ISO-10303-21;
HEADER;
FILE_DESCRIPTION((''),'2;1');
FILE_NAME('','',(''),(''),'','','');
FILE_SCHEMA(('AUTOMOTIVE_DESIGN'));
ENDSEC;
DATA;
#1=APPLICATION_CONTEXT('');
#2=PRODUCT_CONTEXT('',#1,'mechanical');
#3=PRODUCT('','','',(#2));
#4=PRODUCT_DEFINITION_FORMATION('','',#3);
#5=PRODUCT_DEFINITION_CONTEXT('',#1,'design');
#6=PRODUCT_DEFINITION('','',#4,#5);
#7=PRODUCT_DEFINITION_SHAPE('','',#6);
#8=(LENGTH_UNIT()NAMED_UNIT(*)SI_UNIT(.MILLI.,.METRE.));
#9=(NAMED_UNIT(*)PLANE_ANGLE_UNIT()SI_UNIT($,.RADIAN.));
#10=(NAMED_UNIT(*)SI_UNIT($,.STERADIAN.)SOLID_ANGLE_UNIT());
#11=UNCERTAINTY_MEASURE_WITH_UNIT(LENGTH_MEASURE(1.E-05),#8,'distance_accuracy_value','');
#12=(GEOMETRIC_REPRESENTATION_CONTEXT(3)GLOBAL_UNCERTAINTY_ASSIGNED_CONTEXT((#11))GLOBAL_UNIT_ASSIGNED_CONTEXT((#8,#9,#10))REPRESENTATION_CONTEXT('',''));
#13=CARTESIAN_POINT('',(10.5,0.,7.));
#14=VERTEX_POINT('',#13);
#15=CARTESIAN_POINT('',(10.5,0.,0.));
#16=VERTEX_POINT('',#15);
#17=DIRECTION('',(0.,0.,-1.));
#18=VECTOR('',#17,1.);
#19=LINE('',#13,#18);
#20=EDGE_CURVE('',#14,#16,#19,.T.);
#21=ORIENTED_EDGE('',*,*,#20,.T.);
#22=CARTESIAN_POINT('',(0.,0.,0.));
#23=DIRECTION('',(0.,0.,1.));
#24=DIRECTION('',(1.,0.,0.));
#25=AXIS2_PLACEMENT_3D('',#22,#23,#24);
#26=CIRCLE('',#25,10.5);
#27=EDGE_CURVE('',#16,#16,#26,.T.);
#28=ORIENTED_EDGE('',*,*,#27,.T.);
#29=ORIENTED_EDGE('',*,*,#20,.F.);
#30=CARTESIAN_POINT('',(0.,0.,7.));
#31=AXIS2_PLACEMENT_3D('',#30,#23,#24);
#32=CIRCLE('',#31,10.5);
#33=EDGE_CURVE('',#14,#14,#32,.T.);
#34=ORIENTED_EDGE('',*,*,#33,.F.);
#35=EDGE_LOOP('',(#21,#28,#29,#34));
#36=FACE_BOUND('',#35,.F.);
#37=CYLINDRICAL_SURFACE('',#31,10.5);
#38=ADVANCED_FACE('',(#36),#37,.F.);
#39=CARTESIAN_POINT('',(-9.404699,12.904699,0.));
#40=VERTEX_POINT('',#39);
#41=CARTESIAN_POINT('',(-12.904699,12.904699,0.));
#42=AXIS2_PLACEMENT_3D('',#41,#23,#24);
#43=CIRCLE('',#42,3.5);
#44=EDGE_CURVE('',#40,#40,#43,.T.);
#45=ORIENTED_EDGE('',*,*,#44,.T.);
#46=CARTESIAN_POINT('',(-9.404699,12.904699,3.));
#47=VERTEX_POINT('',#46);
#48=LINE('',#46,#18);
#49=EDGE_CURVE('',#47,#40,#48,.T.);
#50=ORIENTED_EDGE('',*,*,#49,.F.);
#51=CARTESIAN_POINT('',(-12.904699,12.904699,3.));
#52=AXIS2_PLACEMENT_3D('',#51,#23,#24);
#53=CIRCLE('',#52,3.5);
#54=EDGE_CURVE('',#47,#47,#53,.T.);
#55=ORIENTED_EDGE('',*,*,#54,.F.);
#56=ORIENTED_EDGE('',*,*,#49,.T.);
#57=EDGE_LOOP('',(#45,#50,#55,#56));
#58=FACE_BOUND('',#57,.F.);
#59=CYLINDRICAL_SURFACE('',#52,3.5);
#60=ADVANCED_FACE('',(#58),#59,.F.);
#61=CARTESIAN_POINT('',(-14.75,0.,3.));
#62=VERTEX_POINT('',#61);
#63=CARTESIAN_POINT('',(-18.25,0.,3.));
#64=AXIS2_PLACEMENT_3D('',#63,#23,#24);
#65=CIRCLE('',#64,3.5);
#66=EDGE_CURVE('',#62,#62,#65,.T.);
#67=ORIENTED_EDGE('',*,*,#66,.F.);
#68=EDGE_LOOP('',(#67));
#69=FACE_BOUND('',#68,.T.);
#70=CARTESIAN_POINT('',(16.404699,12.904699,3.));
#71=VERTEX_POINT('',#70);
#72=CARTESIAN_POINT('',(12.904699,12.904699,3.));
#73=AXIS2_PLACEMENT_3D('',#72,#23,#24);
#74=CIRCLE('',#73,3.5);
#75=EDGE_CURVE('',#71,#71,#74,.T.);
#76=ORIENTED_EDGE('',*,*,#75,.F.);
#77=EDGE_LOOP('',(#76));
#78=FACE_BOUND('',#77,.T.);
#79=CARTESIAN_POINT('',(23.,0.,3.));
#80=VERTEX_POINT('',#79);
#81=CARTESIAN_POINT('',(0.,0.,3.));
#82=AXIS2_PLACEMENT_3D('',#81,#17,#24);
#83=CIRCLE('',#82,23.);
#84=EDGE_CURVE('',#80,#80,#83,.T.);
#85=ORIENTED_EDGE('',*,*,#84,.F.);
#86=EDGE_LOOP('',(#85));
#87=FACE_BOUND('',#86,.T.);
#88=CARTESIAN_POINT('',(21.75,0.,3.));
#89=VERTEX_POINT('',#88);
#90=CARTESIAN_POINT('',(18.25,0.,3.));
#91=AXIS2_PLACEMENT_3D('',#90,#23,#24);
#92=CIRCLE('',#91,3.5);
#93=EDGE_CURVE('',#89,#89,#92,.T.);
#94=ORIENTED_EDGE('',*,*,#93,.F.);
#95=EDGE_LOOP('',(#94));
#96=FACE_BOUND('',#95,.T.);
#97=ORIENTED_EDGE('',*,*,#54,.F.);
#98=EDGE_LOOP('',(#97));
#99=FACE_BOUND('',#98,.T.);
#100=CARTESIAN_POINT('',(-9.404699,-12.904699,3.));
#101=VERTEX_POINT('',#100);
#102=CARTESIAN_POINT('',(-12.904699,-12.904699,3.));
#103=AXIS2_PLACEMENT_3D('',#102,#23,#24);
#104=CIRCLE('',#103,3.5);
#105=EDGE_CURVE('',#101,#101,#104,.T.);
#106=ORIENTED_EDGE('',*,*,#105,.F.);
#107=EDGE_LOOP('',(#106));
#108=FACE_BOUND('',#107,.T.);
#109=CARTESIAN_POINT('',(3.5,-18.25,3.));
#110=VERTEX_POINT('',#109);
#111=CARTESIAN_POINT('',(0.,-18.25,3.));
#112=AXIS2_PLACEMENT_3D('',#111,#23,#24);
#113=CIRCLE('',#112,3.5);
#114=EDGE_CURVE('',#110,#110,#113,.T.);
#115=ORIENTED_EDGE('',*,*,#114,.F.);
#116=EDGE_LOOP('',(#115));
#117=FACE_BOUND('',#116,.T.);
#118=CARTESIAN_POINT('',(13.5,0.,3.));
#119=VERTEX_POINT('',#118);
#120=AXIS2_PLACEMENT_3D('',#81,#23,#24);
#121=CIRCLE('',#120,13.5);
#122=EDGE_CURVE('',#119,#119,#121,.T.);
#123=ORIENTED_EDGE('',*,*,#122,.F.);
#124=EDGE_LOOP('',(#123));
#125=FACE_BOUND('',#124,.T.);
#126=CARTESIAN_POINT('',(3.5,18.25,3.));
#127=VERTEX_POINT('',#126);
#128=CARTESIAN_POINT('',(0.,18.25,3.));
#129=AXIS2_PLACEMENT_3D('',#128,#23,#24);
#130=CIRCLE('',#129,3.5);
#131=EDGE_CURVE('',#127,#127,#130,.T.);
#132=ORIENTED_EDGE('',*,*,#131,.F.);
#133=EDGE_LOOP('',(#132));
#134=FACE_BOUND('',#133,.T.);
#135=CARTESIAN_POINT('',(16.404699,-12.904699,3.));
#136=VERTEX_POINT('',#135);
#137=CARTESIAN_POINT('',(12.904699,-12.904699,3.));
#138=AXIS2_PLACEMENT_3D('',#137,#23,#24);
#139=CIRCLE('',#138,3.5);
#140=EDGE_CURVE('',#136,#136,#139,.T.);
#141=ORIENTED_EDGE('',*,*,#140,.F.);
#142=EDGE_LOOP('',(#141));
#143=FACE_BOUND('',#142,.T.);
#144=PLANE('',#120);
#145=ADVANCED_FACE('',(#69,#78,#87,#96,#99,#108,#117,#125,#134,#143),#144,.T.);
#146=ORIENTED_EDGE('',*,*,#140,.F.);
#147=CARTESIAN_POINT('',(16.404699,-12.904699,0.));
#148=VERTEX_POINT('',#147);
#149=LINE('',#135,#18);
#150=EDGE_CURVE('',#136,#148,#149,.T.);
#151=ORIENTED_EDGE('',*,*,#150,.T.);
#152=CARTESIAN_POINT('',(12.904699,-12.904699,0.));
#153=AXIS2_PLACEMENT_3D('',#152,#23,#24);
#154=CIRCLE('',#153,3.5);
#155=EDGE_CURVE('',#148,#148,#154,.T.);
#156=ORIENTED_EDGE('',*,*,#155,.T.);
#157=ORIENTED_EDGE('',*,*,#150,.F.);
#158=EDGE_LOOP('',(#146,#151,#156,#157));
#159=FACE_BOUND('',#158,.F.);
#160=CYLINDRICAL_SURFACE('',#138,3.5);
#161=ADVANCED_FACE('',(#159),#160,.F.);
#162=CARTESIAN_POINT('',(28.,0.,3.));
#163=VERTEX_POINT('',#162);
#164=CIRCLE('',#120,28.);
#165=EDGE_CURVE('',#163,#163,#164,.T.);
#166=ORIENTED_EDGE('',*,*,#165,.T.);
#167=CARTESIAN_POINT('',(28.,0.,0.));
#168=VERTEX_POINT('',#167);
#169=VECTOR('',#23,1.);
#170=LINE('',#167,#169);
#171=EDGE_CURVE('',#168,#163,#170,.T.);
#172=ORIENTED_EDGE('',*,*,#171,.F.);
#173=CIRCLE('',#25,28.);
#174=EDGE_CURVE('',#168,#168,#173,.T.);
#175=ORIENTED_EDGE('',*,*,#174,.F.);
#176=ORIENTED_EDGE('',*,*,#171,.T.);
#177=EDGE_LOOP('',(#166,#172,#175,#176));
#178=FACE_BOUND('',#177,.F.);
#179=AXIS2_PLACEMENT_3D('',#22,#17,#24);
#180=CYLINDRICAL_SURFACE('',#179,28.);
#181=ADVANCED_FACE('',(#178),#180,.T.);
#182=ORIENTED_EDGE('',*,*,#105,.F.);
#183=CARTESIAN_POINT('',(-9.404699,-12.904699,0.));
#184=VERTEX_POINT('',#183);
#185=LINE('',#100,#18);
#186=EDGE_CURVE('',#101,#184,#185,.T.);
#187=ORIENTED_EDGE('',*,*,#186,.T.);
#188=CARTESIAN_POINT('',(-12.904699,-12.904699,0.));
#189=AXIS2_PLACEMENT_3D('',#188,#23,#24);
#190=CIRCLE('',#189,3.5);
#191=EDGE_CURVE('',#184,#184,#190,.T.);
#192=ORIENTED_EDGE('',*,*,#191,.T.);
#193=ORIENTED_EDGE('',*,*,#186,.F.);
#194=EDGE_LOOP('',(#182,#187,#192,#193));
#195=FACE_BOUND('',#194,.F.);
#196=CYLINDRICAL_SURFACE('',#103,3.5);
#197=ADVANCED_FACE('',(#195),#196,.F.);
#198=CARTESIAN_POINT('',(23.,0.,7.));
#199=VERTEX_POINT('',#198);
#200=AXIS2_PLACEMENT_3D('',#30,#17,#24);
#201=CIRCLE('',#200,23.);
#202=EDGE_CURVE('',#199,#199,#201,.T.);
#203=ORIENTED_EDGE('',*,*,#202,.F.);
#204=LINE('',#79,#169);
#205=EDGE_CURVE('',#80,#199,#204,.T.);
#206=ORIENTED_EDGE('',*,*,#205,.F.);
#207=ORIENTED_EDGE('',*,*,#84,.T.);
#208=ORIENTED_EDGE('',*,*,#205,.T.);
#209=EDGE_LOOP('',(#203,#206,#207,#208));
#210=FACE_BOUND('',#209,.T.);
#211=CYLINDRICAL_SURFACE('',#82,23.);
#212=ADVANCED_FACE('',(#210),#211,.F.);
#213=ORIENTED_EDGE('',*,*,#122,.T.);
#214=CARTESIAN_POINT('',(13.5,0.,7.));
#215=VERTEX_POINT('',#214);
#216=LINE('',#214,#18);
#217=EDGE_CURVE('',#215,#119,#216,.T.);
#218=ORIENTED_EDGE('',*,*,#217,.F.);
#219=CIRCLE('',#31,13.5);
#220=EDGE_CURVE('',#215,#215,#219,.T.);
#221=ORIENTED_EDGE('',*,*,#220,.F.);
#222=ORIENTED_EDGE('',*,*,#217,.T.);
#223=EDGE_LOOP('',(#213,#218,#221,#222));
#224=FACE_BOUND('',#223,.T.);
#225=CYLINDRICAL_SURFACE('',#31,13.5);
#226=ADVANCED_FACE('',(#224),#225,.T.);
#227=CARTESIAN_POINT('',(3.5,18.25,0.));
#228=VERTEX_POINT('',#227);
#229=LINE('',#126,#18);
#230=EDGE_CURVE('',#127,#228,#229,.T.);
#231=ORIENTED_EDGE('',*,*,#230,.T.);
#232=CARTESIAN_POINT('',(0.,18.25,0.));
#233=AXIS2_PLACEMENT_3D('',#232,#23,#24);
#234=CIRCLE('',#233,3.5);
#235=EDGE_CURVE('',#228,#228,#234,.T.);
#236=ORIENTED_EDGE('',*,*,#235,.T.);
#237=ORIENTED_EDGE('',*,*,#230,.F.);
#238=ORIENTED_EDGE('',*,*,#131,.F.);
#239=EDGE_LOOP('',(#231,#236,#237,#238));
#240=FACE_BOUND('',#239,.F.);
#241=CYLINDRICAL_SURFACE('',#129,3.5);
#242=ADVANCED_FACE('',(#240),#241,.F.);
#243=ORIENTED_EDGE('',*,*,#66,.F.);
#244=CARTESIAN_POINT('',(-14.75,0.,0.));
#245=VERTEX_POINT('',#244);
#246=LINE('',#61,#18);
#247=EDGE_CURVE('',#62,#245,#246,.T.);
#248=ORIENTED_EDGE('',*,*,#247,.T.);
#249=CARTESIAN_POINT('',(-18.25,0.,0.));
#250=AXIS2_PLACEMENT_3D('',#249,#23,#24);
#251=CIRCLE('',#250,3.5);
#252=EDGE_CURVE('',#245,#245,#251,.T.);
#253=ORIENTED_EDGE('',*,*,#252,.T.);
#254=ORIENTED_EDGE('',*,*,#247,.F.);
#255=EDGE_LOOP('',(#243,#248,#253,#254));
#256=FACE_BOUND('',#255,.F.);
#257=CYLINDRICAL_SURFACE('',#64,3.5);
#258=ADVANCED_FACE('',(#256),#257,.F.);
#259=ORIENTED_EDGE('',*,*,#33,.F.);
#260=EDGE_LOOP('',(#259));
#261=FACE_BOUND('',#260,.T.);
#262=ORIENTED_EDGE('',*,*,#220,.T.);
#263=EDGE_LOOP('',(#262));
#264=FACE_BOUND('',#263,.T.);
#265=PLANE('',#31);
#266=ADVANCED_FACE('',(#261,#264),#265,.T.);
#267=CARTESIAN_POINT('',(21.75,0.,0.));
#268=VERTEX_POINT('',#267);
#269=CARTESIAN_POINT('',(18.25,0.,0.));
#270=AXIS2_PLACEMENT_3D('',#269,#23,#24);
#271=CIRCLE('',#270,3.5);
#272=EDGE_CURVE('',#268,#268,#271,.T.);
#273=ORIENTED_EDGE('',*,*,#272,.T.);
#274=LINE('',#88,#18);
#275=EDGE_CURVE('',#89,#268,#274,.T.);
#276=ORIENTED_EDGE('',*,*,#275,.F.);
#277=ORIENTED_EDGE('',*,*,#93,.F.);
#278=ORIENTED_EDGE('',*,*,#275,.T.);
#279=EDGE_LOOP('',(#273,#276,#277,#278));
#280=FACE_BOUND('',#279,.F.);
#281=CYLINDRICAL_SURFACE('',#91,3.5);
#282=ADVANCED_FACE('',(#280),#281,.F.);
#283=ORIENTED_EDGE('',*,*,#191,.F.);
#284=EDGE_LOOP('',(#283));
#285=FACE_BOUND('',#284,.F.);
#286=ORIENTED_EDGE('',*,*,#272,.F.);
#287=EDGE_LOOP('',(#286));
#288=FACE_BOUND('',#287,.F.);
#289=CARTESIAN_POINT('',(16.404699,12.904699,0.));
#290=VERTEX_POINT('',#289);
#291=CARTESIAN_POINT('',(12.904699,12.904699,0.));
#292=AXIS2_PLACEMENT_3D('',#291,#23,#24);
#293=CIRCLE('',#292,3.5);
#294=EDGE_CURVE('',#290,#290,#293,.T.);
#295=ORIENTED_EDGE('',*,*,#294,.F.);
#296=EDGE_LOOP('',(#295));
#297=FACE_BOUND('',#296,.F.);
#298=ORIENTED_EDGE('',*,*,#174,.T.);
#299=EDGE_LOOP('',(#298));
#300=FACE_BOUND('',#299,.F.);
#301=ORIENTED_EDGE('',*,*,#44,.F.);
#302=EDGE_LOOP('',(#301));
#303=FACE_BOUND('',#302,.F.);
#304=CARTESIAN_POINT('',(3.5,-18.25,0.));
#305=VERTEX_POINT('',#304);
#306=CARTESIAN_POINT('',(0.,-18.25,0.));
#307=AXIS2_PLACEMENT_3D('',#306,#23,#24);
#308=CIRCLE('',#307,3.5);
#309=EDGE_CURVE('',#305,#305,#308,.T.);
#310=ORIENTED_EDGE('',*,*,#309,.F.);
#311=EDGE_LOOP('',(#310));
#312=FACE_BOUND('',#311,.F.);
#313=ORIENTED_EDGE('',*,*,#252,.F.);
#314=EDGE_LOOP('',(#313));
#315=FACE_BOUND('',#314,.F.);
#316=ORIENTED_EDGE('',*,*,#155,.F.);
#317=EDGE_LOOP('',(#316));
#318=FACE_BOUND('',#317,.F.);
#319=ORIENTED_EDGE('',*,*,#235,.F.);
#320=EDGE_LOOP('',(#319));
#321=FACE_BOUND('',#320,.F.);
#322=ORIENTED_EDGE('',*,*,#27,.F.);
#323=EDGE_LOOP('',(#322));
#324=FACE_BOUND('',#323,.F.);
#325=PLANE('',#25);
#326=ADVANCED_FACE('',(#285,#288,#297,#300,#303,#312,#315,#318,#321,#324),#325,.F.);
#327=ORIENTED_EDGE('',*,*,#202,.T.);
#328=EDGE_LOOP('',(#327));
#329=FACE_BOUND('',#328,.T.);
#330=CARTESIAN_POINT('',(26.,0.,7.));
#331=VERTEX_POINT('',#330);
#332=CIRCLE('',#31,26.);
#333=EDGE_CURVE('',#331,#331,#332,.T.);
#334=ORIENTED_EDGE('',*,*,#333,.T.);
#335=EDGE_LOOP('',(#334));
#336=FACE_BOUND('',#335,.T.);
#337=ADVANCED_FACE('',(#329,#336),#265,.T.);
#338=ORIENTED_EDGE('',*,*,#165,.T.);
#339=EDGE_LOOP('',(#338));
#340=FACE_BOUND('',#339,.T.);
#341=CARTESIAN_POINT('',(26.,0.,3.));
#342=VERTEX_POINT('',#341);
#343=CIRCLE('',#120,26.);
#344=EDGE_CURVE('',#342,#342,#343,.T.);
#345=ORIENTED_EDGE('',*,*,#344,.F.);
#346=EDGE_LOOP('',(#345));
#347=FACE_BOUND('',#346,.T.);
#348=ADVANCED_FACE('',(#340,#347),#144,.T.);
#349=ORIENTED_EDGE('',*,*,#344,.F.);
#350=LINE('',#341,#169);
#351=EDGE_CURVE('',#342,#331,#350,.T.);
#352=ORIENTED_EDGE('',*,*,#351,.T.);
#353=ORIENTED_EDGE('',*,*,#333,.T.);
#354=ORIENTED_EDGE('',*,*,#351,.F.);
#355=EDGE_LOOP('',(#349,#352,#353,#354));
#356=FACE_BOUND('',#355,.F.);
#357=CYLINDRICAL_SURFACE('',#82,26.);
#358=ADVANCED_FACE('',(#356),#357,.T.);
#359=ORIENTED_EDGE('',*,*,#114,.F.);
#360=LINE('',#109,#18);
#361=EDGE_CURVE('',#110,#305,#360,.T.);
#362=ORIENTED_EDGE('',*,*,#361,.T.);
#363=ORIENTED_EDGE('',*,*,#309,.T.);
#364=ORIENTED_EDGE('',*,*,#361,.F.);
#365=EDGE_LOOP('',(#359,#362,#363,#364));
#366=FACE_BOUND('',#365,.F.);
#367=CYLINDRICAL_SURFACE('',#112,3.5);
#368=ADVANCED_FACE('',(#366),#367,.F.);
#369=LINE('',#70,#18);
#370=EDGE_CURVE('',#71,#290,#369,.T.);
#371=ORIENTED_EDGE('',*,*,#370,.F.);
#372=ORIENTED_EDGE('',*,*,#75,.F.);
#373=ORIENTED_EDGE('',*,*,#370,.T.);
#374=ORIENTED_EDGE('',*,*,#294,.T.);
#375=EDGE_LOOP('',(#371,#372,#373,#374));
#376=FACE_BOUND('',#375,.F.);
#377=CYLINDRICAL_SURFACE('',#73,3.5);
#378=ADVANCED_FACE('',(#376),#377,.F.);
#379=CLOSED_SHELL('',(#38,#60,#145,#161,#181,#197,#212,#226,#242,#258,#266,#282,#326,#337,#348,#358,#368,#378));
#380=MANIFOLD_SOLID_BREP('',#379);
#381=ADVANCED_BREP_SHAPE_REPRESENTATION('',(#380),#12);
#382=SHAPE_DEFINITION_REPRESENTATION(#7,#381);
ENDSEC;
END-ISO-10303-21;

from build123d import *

# Parameters (mm, degrees)
F0_R     = 28
F1_DEPTH = 3
F2_R     = 26
F3_DEPTH = 4
F4_R     = 10.5
F5_DEPTH = 7.001
F6_T     = -3
F7_R     = 3.5
F8_DEPTH = 3.001


with BuildPart() as f1:
    # F0 (on Top) → F1 (new body)
    with BuildSketch(Plane.XY):
        Circle(F0_R)
    extrude(amount=F1_DEPTH)

    # F2 (on face) → F3 (join)
    with BuildSketch(Plane.XY.offset(3)):
        Circle(F2_R)
    extrude(amount=F3_DEPTH)

    # F4 (on face) → F5 (cut, through all)
    with BuildSketch(Plane.XY.offset(7)):
        Circle(F4_R)
    extrude(amount=-F5_DEPTH, mode=Mode.SUBTRACT)

    # F6
    f6_openings = [f1.faces().sort_by_distance(p)[0] for p in [
        (-25.264609, 0, 7),
    ]]
    offset(amount=F6_T, openings=f6_openings, kind=Kind.INTERSECTION)

    # F7 (on face) → F8 (cut, through all)
    with BuildSketch(Plane.XY.offset(3)):
        with Locations((-18.25, 0)):
            Circle(F7_R)
        with Locations((-12.9046987567, -12.9046987567)):
            Circle(F7_R)
        with Locations((0, -18.25)):
            Circle(F7_R)
        with Locations((12.9046987567, -12.9046987567)):
            Circle(F7_R)
        with Locations((18.25, 0)):
            Circle(F7_R)
        with Locations((12.9046987567, 12.9046987567)):
            Circle(F7_R)
        with Locations((0, 18.25)):
            Circle(F7_R)
        with Locations((-12.9046987567, 12.9046987567)):
            Circle(F7_R)
    extrude(amount=-F8_DEPTH, mode=Mode.SUBTRACT)


solid = f1.part
